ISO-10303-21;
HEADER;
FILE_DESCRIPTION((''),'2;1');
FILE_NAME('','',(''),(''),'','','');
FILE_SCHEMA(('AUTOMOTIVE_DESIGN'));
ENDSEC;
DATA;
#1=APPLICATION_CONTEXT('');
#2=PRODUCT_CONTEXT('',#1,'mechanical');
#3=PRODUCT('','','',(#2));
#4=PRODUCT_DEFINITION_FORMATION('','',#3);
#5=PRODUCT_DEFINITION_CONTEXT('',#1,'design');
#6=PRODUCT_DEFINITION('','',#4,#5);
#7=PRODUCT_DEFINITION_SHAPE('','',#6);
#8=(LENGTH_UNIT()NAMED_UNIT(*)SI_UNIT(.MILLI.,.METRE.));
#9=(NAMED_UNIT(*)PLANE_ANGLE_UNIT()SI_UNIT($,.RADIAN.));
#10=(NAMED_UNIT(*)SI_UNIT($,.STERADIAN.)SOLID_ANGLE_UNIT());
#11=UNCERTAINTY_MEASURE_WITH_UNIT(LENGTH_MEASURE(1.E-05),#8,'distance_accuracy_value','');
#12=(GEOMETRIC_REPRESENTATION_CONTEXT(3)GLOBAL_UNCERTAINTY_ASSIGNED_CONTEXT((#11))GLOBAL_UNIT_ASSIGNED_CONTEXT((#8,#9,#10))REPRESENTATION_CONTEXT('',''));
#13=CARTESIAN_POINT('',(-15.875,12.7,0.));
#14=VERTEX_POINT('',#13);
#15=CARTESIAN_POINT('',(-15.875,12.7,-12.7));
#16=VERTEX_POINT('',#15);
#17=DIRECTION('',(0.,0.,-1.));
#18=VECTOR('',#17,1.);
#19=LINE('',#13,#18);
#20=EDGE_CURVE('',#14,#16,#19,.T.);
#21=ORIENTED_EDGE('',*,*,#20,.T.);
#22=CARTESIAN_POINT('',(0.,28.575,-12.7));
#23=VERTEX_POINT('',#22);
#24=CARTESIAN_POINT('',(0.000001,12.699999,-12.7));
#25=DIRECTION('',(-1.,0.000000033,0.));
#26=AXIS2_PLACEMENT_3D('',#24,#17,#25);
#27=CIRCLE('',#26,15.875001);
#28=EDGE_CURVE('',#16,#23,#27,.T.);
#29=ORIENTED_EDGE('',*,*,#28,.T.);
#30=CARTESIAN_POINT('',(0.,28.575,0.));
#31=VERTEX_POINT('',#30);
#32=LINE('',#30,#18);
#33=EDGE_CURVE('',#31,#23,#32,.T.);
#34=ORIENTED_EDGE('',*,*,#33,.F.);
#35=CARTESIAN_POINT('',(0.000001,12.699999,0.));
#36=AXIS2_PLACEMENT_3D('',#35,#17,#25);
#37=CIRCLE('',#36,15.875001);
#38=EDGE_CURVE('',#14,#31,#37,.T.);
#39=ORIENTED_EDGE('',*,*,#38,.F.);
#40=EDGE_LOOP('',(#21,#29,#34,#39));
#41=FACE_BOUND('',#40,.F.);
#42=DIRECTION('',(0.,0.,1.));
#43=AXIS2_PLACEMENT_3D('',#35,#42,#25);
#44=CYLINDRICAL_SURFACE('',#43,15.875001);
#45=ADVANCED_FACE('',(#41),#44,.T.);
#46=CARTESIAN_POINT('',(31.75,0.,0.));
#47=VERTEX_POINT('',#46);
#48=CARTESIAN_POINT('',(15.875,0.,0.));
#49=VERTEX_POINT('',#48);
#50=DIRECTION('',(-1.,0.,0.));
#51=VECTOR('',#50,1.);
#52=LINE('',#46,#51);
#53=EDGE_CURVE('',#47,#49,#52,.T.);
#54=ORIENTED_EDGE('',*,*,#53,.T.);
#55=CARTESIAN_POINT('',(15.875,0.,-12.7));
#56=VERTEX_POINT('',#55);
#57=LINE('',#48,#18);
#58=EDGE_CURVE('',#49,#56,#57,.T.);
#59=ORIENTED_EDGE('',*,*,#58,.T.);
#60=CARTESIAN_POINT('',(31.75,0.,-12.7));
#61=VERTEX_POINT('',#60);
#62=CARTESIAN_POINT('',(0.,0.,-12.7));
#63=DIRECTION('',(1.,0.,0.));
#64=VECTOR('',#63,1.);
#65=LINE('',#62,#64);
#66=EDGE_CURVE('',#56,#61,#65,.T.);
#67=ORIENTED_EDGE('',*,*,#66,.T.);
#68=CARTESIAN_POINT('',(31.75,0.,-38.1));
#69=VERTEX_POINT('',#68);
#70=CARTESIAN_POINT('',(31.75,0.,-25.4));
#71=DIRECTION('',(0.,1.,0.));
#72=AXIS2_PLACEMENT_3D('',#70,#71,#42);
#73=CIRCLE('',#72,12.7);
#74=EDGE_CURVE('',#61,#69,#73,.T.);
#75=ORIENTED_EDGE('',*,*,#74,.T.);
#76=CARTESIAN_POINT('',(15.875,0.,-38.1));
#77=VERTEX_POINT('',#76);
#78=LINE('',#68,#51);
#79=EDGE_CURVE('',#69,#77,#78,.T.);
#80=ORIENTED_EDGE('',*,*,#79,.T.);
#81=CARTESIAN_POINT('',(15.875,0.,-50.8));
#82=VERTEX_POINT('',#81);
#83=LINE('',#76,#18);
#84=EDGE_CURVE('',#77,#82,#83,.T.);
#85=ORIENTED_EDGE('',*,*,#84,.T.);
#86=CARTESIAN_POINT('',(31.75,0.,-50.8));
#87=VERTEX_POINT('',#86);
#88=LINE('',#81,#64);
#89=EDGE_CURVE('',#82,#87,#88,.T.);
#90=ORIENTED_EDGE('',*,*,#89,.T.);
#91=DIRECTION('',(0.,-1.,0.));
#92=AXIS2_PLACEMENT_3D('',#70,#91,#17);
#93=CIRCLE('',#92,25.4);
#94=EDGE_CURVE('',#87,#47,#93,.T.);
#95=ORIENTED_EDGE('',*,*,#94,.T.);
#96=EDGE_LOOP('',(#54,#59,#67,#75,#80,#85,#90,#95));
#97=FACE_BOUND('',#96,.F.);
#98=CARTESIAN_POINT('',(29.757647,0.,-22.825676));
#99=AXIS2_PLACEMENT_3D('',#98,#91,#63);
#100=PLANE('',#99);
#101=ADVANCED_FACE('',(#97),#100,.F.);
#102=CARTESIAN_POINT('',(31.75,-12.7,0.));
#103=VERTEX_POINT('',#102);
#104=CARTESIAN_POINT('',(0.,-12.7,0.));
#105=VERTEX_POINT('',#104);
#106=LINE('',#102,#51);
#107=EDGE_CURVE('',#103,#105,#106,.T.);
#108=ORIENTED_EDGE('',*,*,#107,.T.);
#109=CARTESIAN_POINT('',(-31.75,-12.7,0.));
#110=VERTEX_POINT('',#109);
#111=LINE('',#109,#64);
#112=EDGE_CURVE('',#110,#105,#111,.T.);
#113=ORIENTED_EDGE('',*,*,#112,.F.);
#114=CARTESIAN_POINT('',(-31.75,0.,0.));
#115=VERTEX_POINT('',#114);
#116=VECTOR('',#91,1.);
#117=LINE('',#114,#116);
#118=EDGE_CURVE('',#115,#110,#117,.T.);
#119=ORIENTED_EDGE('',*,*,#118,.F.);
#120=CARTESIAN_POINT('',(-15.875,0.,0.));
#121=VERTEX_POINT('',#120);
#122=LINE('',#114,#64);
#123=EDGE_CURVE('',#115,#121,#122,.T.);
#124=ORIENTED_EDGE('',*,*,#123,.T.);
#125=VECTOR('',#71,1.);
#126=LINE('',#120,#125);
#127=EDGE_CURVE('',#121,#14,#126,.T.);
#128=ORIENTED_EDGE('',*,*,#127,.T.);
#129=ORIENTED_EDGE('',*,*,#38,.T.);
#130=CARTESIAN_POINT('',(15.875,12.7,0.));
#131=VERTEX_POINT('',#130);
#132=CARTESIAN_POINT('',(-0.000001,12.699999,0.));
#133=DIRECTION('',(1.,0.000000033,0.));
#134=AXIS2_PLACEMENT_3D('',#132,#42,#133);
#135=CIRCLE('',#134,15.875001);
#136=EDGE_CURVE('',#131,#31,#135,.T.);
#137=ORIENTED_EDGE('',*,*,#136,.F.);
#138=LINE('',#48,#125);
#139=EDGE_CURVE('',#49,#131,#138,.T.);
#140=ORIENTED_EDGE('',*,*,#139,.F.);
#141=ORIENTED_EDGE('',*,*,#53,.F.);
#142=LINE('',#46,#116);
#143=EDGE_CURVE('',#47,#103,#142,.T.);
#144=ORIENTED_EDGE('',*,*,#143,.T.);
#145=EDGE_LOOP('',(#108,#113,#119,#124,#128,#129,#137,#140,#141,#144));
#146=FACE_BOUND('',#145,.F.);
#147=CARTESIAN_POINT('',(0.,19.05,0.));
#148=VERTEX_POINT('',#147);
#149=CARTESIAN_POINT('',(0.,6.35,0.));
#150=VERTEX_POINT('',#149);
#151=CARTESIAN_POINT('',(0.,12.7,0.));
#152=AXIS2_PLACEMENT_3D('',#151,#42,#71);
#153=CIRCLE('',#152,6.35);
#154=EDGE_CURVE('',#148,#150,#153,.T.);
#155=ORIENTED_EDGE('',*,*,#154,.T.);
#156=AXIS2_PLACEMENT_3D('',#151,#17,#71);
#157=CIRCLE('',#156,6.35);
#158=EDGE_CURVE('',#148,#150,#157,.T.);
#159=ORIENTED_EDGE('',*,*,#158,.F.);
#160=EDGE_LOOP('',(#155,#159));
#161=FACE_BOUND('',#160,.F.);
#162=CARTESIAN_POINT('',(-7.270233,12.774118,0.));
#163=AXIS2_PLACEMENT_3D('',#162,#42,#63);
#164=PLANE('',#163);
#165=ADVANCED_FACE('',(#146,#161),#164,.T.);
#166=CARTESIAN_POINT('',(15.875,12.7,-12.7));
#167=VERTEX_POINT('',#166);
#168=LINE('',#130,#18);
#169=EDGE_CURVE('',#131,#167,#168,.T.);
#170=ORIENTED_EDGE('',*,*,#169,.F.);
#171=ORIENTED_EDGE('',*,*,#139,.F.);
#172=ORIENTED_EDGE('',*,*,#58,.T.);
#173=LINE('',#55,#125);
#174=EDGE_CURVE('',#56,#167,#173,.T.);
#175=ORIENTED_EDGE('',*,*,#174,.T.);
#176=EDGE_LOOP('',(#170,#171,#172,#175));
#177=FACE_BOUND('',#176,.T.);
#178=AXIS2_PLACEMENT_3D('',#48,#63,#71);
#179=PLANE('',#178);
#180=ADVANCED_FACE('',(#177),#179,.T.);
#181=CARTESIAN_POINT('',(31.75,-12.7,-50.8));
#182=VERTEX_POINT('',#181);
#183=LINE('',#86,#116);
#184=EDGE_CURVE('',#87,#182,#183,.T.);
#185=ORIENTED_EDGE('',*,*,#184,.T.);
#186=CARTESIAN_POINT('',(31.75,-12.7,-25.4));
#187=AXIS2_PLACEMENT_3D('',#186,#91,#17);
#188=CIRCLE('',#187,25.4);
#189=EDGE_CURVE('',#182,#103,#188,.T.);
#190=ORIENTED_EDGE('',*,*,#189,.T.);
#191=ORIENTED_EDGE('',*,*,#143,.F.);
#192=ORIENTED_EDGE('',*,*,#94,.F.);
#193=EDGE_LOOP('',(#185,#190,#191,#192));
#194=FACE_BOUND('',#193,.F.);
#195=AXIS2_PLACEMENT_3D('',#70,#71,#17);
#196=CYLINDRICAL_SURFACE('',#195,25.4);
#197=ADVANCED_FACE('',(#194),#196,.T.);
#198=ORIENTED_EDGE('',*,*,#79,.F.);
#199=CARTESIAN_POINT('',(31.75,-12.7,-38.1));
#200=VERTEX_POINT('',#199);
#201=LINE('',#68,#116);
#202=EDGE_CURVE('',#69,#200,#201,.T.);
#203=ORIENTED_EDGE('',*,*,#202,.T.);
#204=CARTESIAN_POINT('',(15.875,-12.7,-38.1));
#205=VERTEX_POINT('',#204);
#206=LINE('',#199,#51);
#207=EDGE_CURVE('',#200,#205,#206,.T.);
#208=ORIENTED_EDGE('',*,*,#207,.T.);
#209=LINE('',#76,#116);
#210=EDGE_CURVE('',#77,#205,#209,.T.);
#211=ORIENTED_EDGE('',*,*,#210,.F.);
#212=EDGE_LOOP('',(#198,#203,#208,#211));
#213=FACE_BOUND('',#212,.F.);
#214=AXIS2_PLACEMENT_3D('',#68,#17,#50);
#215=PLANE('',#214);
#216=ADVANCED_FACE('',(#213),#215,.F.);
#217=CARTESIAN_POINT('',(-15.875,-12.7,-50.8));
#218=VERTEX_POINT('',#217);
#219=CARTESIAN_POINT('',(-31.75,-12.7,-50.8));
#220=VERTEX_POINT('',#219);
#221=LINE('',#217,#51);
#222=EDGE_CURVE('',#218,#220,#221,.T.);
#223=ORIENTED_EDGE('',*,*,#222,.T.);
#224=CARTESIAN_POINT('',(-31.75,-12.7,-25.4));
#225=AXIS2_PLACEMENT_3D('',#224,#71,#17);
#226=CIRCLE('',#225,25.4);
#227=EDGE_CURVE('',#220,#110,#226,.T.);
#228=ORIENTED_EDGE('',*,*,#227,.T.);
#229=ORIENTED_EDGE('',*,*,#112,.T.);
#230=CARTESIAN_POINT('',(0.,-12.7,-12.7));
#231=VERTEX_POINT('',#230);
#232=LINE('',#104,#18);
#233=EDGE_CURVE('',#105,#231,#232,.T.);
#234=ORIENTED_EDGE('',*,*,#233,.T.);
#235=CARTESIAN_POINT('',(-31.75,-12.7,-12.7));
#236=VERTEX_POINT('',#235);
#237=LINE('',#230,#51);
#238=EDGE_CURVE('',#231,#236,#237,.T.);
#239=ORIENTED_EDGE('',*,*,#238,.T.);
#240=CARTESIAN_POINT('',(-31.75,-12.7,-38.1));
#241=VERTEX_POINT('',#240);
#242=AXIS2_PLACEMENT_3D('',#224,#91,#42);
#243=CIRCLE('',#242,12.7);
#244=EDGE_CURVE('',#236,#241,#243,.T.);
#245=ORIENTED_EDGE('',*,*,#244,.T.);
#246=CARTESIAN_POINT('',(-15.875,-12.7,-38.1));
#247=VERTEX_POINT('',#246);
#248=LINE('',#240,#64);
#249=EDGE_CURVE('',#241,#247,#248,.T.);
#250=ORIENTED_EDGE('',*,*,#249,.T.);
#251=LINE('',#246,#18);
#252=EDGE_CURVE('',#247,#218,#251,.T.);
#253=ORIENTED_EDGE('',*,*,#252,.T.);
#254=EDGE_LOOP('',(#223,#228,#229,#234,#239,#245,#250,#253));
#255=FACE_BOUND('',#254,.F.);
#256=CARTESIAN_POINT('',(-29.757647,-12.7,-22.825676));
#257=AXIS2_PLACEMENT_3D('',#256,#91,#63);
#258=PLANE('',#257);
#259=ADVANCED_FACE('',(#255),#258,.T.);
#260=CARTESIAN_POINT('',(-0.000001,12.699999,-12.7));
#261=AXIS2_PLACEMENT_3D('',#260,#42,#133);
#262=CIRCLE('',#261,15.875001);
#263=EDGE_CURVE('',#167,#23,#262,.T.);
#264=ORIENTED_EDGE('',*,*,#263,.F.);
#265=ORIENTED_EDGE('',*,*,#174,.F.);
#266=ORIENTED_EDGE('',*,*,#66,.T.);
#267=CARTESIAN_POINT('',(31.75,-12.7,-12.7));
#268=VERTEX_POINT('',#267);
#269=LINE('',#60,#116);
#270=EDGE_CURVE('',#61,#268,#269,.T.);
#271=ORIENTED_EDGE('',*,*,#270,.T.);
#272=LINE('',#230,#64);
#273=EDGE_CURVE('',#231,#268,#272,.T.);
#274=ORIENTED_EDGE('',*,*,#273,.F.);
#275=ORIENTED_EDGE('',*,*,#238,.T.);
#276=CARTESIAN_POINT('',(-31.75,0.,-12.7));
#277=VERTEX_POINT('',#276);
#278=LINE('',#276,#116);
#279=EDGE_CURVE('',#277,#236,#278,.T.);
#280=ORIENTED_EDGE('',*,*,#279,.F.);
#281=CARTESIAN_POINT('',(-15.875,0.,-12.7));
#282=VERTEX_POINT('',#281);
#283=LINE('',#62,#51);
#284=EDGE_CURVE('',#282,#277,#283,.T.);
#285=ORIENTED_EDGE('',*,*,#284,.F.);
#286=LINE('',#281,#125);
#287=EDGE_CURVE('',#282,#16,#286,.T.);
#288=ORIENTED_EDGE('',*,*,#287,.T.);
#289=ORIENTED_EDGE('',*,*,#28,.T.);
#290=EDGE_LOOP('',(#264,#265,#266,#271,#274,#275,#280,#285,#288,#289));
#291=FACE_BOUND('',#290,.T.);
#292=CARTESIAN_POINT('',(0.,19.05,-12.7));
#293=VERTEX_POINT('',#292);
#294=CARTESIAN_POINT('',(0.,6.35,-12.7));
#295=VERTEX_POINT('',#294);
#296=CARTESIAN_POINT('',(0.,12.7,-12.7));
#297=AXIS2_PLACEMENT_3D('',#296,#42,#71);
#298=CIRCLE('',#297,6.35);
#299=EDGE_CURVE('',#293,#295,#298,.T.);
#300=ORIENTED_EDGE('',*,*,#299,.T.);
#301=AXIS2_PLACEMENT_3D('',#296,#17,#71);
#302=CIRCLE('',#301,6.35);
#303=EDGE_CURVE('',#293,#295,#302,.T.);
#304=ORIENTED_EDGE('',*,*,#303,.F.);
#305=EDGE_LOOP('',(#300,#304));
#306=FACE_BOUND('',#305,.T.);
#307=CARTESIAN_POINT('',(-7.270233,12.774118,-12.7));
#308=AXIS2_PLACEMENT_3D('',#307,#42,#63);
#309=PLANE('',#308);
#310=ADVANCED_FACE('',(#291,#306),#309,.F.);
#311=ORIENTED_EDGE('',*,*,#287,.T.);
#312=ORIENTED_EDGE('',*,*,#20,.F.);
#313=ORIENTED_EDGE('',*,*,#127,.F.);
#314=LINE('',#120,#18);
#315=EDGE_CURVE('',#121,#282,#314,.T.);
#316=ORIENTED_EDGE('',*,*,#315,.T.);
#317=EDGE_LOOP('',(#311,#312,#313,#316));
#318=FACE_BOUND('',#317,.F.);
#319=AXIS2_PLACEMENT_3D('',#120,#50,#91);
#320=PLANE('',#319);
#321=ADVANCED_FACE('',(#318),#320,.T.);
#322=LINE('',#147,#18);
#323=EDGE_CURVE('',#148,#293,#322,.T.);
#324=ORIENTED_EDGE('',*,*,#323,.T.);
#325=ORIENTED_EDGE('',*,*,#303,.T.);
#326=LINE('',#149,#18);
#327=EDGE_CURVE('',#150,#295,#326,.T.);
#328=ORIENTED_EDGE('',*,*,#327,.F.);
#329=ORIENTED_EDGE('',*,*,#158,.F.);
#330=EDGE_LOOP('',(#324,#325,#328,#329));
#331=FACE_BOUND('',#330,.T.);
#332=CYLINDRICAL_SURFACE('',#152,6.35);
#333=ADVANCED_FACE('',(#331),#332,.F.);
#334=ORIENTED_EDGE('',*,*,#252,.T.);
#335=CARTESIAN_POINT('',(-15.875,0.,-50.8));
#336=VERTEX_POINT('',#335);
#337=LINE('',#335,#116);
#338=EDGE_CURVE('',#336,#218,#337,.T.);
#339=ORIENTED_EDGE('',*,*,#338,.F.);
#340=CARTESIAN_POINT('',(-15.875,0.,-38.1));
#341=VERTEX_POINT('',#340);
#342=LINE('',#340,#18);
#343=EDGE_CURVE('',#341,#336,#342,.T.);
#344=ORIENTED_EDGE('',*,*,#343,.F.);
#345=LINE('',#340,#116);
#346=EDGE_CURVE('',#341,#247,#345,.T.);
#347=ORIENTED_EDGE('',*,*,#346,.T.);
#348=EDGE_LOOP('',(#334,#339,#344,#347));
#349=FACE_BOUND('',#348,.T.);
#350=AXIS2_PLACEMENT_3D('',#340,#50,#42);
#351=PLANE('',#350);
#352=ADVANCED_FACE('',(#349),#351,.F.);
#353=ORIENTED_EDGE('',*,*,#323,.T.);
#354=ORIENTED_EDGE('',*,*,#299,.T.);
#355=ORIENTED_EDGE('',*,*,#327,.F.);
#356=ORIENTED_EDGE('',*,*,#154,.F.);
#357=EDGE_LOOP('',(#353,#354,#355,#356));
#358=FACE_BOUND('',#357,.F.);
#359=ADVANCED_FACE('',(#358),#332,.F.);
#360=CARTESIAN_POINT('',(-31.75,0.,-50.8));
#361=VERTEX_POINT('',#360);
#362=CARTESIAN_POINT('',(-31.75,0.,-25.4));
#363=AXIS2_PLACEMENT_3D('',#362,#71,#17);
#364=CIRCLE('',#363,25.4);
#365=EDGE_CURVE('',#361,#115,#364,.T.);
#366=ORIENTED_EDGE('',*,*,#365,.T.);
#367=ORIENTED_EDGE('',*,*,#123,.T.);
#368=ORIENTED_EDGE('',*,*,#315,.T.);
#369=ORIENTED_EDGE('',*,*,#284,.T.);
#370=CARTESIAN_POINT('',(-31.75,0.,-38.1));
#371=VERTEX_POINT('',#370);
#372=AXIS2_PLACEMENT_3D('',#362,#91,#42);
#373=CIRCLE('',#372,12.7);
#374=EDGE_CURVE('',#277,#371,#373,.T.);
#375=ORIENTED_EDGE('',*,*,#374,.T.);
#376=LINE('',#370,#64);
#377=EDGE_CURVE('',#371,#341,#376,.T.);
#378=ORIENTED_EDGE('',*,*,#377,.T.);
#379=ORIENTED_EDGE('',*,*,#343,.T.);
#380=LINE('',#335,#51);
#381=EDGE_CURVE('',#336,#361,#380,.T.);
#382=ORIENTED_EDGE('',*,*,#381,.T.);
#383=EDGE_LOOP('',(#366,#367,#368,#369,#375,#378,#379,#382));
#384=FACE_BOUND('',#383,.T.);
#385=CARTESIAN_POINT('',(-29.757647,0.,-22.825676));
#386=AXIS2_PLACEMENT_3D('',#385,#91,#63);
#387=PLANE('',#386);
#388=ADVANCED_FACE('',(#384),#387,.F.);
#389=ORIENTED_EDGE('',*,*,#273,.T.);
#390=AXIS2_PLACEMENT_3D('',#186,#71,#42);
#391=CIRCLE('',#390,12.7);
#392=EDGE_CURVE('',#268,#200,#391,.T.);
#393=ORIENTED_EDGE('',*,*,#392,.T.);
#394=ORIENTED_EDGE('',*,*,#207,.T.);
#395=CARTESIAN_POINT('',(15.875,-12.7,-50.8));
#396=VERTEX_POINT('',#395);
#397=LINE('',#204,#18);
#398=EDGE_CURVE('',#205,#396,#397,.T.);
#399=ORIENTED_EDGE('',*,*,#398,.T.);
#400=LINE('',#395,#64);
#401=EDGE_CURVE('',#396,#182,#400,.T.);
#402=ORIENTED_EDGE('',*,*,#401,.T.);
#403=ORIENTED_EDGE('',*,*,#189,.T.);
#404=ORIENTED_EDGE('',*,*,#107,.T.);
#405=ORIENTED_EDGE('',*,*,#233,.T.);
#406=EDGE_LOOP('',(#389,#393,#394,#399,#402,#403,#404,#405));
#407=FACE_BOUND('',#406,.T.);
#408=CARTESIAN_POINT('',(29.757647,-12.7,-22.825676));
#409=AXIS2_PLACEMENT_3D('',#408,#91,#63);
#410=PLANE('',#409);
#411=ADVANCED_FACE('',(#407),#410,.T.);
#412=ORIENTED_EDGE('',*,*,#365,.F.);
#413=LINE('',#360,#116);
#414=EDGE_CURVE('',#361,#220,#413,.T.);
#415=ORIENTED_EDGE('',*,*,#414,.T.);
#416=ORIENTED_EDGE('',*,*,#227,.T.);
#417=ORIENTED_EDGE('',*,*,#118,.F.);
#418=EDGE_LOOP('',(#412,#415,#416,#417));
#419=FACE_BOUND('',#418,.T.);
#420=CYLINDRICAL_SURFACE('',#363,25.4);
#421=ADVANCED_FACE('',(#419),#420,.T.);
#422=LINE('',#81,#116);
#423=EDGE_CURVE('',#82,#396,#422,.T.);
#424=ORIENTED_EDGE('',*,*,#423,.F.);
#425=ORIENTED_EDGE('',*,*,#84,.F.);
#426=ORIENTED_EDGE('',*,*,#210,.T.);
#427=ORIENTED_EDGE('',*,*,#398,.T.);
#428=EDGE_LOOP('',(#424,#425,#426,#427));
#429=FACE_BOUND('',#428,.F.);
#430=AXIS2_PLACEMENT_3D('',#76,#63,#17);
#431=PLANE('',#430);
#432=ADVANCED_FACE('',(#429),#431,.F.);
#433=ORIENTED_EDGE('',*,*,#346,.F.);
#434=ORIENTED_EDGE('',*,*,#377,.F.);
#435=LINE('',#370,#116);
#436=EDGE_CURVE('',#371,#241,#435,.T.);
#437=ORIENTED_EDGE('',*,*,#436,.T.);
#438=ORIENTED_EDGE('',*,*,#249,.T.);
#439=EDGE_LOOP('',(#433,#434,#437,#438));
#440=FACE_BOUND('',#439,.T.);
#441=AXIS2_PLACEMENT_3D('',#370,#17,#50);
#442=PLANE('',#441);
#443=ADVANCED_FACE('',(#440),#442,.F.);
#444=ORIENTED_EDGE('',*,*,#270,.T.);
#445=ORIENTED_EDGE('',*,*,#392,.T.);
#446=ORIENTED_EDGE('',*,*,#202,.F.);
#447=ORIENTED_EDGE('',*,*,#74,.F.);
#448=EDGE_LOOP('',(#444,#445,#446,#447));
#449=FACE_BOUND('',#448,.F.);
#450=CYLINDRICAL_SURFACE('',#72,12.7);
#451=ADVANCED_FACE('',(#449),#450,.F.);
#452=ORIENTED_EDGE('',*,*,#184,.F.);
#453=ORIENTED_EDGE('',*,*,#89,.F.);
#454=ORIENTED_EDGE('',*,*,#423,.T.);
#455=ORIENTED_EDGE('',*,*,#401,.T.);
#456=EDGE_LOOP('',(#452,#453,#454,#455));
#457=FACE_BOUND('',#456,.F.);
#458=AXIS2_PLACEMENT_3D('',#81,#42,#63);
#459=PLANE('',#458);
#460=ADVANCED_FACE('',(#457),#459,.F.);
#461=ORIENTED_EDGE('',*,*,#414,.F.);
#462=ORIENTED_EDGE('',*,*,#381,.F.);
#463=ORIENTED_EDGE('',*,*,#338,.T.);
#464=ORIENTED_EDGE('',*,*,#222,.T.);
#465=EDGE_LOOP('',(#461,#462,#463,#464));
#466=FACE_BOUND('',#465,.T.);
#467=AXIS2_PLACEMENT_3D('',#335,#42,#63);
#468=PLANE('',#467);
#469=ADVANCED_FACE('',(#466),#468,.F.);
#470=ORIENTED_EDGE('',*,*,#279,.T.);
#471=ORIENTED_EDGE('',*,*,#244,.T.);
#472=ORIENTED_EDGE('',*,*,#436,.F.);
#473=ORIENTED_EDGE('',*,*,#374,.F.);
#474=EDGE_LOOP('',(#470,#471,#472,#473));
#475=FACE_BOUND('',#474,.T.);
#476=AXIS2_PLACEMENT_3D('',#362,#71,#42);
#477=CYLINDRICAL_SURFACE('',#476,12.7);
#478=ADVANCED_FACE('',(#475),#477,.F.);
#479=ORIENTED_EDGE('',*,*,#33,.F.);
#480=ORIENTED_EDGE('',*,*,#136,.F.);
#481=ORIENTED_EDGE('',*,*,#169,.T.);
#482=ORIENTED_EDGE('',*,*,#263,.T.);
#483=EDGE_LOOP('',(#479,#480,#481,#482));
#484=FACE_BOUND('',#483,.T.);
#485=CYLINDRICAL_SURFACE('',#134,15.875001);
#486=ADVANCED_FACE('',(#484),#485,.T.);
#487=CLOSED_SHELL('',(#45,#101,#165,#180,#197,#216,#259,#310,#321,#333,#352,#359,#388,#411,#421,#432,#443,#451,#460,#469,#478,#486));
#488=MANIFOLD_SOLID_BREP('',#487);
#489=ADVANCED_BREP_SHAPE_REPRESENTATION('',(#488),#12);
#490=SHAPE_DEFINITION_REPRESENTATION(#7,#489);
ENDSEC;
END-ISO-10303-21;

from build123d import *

# Parameters (mm, degrees)
F1_DEPTH = 12.7
F3_DEPTH = 12.7


with BuildPart() as f1:
    # F0 (on Front) → F1 (new body)
    with BuildSketch(Plane.XZ):
        with BuildLine():
            Line((31.75, 0), (0, 0))
            Line((0, 0), (0, -12.7))
            Line((0, -12.7), (31.75, -12.7))
            ThreePointArc((31.75, -12.7), (44.45, -25.4), (31.75, -38.1))
            Line((31.75, -38.1), (15.875, -38.1))
            Line((15.875, -38.1), (15.875, -50.8))
            Line((15.875, -50.8), (31.75, -50.8))
            ThreePointArc((31.75, -50.8), (57.15, -25.4), (31.75, 0))
        make_face()
    extrude(amount=F1_DEPTH)

    # F2 (on face) → F3 (join, through all)
    with BuildSketch(Plane.XY):
        with BuildLine():
            Line((15.875, 0), (15.875, 12.7))
            ThreePointArc((15.875, 12.7), (11.22532, 23.92532), (0, 28.575))
            Line((0, 28.575), (0, 19.05))
            ThreePointArc((0, 19.05), (6.35, 12.7), (0, 6.35))
            Line((0, 6.35), (0, 0))
            Line((0, 0), (15.875, 0))
        make_face()
    extrude(amount=-F3_DEPTH)

    # F4: F1 across face


with BuildPart() as f1_1:
    add(f1.part)
    add(f1.part.mirror(Plane(origin=(0, -3.175, -6.35), x_dir=(0, -1, 0), z_dir=(-1, 0, 0))))


solid = f1_1.part
